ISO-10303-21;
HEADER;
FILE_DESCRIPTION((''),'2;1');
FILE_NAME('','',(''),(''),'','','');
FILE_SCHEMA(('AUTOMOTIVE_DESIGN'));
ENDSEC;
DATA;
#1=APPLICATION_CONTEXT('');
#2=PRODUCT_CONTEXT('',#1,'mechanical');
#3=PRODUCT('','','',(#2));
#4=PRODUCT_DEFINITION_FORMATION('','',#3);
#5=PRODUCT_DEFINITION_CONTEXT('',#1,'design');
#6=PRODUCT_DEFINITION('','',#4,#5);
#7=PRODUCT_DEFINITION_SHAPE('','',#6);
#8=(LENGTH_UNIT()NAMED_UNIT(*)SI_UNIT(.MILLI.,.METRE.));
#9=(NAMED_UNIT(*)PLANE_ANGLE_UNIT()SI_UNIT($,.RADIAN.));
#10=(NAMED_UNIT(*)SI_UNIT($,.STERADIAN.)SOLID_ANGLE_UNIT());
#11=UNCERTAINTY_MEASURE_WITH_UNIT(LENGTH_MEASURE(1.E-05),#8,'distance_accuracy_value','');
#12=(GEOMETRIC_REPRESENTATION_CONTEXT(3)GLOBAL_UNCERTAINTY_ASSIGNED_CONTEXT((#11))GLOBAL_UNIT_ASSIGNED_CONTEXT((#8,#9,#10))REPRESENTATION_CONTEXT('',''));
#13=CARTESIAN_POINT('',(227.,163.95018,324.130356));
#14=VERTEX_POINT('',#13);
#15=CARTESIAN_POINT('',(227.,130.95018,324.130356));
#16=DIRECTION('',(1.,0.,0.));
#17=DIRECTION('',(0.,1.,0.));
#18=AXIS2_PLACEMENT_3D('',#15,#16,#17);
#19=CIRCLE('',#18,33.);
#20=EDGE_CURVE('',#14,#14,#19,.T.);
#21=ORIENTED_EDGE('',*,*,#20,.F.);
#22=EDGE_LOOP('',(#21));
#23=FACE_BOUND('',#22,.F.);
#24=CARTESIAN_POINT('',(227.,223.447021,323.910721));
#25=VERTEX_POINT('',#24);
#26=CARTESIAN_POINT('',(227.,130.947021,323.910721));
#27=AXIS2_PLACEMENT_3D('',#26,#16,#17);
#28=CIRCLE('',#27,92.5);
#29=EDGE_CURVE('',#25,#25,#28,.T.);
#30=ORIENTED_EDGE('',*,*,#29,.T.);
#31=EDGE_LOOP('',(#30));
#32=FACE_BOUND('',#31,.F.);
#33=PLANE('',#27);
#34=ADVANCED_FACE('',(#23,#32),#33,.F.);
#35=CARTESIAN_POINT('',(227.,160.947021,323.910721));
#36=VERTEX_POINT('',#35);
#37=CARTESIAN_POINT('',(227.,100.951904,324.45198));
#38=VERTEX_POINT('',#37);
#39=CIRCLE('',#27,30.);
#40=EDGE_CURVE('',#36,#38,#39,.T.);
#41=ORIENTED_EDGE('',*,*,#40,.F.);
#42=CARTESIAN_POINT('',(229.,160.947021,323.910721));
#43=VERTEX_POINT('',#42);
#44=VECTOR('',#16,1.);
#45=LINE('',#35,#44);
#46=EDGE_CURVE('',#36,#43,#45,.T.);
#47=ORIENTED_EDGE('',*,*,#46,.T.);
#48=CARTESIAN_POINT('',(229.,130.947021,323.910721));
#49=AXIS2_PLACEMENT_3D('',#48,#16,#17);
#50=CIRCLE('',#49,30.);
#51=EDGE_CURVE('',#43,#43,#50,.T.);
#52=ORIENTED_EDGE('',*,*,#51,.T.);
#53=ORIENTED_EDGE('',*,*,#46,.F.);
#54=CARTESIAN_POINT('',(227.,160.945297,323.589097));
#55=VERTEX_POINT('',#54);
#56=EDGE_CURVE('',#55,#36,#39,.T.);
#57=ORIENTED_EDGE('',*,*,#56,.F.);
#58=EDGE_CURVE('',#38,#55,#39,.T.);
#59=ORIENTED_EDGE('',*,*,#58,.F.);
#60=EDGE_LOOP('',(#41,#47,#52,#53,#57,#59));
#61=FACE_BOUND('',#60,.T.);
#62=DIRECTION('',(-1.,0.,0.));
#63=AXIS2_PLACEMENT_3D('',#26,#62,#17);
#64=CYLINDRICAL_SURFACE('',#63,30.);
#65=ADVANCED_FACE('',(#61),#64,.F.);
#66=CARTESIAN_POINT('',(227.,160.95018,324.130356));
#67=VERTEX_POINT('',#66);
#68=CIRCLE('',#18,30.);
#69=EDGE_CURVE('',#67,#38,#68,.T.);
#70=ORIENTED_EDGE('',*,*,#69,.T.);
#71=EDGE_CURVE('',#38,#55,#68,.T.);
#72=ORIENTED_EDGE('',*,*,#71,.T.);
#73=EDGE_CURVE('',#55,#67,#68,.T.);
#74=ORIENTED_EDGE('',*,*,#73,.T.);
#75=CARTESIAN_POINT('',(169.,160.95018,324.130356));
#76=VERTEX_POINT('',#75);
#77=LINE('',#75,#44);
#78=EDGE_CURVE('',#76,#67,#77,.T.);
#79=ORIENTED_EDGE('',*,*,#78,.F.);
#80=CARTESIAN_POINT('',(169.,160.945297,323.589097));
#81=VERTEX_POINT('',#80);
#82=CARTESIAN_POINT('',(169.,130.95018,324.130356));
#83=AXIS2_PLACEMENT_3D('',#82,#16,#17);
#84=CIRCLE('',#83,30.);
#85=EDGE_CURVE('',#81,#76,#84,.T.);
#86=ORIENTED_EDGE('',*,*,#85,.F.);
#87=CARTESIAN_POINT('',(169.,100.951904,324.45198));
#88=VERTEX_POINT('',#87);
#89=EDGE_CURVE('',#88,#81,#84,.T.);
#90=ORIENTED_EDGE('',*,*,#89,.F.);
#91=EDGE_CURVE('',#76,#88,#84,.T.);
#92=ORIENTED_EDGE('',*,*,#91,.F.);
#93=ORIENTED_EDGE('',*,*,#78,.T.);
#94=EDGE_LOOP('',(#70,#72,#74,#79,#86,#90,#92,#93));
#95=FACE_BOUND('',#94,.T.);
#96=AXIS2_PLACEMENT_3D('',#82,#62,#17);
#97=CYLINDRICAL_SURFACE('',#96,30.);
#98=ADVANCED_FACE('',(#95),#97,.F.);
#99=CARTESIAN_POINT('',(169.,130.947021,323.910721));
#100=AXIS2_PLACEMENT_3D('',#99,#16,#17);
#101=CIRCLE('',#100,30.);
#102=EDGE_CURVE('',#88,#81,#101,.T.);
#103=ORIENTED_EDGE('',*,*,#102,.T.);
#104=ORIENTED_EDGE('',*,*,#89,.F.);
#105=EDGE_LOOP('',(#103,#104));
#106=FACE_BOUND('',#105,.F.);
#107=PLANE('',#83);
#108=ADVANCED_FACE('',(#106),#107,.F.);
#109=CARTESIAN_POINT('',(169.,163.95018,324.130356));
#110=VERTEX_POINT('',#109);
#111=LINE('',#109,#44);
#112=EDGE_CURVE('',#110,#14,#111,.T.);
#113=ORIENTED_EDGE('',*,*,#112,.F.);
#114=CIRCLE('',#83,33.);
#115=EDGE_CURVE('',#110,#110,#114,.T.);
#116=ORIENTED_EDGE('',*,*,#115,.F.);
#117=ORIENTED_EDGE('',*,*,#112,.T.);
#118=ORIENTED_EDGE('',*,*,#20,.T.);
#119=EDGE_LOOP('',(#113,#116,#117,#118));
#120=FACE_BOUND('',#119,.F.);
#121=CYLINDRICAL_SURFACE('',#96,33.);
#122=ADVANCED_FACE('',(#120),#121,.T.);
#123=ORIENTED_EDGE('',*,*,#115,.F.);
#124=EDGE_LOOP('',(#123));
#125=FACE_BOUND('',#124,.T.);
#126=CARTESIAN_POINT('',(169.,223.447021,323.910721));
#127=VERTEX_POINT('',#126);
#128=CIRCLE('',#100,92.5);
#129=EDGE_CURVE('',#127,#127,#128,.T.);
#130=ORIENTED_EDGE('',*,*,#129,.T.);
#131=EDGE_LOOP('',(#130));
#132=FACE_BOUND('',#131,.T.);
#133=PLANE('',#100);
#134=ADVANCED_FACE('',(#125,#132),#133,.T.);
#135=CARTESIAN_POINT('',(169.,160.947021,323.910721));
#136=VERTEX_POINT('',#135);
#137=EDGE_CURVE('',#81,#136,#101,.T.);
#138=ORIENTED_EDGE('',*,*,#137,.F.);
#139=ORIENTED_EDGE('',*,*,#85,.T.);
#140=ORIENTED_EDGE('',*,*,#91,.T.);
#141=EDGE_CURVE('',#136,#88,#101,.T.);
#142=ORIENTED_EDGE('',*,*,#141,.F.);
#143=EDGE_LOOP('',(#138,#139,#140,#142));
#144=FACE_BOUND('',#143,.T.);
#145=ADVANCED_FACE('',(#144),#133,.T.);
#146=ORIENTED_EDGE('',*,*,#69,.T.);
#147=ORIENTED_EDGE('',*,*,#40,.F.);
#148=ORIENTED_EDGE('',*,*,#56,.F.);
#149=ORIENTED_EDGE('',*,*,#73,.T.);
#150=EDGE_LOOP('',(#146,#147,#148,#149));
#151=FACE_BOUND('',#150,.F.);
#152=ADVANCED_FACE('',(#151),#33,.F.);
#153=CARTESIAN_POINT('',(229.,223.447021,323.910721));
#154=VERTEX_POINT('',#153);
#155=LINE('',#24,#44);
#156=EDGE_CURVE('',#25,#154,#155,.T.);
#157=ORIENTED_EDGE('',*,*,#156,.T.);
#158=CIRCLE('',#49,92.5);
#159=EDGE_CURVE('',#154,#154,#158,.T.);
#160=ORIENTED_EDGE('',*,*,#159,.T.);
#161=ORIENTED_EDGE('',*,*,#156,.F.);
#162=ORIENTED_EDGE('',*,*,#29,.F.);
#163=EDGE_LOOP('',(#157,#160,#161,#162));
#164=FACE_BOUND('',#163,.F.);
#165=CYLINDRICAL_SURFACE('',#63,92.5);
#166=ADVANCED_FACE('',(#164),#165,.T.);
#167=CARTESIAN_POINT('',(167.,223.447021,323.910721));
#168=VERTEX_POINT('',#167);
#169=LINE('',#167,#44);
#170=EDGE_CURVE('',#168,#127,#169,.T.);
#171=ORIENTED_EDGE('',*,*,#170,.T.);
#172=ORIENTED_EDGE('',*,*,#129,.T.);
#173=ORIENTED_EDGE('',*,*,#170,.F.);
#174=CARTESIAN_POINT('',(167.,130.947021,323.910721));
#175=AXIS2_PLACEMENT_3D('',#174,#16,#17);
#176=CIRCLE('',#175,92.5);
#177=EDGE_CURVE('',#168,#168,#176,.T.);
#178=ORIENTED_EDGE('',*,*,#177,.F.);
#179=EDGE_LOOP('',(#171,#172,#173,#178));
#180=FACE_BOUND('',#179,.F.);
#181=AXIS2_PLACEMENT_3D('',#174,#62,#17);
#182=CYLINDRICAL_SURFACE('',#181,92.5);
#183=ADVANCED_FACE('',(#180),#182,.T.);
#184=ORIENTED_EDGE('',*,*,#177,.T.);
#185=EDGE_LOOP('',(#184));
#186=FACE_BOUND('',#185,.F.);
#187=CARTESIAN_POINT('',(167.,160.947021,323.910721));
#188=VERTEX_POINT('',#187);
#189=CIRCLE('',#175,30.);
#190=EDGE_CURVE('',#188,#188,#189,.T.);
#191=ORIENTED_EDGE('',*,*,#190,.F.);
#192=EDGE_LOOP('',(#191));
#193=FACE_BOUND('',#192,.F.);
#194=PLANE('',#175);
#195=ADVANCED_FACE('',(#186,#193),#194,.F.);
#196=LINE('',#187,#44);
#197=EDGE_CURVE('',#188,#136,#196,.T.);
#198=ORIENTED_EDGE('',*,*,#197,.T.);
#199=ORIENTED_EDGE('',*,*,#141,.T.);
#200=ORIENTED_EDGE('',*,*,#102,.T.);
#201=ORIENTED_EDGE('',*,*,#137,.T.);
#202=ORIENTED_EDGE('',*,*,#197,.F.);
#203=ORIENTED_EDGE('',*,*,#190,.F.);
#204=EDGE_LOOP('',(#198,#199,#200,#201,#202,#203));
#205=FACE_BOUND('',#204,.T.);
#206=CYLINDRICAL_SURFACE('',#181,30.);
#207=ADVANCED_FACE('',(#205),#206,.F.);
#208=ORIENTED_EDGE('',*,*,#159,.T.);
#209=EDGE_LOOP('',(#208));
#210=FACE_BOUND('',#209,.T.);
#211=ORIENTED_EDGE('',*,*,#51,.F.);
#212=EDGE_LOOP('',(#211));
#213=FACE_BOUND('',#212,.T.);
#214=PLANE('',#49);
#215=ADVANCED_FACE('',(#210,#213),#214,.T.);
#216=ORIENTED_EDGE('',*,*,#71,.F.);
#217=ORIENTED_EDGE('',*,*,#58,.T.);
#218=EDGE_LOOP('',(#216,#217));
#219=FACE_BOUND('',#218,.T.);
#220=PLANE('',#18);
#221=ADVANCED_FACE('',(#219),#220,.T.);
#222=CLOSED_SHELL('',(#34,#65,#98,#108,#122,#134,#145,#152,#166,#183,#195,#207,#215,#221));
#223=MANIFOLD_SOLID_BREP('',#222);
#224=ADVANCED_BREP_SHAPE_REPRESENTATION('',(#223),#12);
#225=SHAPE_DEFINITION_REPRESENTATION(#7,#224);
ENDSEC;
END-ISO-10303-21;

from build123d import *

# Parameters (mm, degrees)
SKETCH013_R   = 92.5
SKETCH013_R_2 = 30
PAD013_DEPTH  = 2
SKETCH014_R   = 33
SKETCH014_R_2 = 30
PAD014_DEPTH  = 58
SKETCH012_R   = 92.5
SKETCH012_R_2 = 30
PAD012_DEPTH  = 2


with BuildPart() as pad013:
    # Sketch013 → Pad013 (new body)
    with BuildSketch(Plane.YZ.offset(60)):
        with Locations((138.947021, 143.910721)):
            Circle(SKETCH013_R)
        with Locations((138.947021, 143.910721)):
            Circle(SKETCH013_R_2, mode=Mode.SUBTRACT)
    extrude(amount=PAD013_DEPTH)


with BuildPart() as pad014:
    # Sketch014 → Pad014 (new body)
    with BuildSketch(Plane.YZ.offset(2)):
        with Locations((138.95018, 144.130356)):
            Circle(SKETCH014_R)
        with Locations((138.95018, 144.130356)):
            Circle(SKETCH014_R_2, mode=Mode.SUBTRACT)
    extrude(amount=PAD014_DEPTH)


with BuildPart() as plasticrole:
    # Sketch012 → Pad012 (new body)
    with BuildSketch(Plane.YZ):
        with Locations((138.947021, 143.910721)):
            Circle(SKETCH012_R)
        with Locations((138.947021, 143.910721)):
            Circle(SKETCH012_R_2, mode=Mode.SUBTRACT)
    extrude(amount=PAD012_DEPTH)

    # Fusion014: union Pad013, Pad014
    add(pad013.part)
    add(pad014.part)


with BuildPart() as plasticrole_1:
    # Fusion014 placement: moved
    add(plasticrole.part.moved(Location((167, -8, 180))))


solid = plasticrole_1.part
